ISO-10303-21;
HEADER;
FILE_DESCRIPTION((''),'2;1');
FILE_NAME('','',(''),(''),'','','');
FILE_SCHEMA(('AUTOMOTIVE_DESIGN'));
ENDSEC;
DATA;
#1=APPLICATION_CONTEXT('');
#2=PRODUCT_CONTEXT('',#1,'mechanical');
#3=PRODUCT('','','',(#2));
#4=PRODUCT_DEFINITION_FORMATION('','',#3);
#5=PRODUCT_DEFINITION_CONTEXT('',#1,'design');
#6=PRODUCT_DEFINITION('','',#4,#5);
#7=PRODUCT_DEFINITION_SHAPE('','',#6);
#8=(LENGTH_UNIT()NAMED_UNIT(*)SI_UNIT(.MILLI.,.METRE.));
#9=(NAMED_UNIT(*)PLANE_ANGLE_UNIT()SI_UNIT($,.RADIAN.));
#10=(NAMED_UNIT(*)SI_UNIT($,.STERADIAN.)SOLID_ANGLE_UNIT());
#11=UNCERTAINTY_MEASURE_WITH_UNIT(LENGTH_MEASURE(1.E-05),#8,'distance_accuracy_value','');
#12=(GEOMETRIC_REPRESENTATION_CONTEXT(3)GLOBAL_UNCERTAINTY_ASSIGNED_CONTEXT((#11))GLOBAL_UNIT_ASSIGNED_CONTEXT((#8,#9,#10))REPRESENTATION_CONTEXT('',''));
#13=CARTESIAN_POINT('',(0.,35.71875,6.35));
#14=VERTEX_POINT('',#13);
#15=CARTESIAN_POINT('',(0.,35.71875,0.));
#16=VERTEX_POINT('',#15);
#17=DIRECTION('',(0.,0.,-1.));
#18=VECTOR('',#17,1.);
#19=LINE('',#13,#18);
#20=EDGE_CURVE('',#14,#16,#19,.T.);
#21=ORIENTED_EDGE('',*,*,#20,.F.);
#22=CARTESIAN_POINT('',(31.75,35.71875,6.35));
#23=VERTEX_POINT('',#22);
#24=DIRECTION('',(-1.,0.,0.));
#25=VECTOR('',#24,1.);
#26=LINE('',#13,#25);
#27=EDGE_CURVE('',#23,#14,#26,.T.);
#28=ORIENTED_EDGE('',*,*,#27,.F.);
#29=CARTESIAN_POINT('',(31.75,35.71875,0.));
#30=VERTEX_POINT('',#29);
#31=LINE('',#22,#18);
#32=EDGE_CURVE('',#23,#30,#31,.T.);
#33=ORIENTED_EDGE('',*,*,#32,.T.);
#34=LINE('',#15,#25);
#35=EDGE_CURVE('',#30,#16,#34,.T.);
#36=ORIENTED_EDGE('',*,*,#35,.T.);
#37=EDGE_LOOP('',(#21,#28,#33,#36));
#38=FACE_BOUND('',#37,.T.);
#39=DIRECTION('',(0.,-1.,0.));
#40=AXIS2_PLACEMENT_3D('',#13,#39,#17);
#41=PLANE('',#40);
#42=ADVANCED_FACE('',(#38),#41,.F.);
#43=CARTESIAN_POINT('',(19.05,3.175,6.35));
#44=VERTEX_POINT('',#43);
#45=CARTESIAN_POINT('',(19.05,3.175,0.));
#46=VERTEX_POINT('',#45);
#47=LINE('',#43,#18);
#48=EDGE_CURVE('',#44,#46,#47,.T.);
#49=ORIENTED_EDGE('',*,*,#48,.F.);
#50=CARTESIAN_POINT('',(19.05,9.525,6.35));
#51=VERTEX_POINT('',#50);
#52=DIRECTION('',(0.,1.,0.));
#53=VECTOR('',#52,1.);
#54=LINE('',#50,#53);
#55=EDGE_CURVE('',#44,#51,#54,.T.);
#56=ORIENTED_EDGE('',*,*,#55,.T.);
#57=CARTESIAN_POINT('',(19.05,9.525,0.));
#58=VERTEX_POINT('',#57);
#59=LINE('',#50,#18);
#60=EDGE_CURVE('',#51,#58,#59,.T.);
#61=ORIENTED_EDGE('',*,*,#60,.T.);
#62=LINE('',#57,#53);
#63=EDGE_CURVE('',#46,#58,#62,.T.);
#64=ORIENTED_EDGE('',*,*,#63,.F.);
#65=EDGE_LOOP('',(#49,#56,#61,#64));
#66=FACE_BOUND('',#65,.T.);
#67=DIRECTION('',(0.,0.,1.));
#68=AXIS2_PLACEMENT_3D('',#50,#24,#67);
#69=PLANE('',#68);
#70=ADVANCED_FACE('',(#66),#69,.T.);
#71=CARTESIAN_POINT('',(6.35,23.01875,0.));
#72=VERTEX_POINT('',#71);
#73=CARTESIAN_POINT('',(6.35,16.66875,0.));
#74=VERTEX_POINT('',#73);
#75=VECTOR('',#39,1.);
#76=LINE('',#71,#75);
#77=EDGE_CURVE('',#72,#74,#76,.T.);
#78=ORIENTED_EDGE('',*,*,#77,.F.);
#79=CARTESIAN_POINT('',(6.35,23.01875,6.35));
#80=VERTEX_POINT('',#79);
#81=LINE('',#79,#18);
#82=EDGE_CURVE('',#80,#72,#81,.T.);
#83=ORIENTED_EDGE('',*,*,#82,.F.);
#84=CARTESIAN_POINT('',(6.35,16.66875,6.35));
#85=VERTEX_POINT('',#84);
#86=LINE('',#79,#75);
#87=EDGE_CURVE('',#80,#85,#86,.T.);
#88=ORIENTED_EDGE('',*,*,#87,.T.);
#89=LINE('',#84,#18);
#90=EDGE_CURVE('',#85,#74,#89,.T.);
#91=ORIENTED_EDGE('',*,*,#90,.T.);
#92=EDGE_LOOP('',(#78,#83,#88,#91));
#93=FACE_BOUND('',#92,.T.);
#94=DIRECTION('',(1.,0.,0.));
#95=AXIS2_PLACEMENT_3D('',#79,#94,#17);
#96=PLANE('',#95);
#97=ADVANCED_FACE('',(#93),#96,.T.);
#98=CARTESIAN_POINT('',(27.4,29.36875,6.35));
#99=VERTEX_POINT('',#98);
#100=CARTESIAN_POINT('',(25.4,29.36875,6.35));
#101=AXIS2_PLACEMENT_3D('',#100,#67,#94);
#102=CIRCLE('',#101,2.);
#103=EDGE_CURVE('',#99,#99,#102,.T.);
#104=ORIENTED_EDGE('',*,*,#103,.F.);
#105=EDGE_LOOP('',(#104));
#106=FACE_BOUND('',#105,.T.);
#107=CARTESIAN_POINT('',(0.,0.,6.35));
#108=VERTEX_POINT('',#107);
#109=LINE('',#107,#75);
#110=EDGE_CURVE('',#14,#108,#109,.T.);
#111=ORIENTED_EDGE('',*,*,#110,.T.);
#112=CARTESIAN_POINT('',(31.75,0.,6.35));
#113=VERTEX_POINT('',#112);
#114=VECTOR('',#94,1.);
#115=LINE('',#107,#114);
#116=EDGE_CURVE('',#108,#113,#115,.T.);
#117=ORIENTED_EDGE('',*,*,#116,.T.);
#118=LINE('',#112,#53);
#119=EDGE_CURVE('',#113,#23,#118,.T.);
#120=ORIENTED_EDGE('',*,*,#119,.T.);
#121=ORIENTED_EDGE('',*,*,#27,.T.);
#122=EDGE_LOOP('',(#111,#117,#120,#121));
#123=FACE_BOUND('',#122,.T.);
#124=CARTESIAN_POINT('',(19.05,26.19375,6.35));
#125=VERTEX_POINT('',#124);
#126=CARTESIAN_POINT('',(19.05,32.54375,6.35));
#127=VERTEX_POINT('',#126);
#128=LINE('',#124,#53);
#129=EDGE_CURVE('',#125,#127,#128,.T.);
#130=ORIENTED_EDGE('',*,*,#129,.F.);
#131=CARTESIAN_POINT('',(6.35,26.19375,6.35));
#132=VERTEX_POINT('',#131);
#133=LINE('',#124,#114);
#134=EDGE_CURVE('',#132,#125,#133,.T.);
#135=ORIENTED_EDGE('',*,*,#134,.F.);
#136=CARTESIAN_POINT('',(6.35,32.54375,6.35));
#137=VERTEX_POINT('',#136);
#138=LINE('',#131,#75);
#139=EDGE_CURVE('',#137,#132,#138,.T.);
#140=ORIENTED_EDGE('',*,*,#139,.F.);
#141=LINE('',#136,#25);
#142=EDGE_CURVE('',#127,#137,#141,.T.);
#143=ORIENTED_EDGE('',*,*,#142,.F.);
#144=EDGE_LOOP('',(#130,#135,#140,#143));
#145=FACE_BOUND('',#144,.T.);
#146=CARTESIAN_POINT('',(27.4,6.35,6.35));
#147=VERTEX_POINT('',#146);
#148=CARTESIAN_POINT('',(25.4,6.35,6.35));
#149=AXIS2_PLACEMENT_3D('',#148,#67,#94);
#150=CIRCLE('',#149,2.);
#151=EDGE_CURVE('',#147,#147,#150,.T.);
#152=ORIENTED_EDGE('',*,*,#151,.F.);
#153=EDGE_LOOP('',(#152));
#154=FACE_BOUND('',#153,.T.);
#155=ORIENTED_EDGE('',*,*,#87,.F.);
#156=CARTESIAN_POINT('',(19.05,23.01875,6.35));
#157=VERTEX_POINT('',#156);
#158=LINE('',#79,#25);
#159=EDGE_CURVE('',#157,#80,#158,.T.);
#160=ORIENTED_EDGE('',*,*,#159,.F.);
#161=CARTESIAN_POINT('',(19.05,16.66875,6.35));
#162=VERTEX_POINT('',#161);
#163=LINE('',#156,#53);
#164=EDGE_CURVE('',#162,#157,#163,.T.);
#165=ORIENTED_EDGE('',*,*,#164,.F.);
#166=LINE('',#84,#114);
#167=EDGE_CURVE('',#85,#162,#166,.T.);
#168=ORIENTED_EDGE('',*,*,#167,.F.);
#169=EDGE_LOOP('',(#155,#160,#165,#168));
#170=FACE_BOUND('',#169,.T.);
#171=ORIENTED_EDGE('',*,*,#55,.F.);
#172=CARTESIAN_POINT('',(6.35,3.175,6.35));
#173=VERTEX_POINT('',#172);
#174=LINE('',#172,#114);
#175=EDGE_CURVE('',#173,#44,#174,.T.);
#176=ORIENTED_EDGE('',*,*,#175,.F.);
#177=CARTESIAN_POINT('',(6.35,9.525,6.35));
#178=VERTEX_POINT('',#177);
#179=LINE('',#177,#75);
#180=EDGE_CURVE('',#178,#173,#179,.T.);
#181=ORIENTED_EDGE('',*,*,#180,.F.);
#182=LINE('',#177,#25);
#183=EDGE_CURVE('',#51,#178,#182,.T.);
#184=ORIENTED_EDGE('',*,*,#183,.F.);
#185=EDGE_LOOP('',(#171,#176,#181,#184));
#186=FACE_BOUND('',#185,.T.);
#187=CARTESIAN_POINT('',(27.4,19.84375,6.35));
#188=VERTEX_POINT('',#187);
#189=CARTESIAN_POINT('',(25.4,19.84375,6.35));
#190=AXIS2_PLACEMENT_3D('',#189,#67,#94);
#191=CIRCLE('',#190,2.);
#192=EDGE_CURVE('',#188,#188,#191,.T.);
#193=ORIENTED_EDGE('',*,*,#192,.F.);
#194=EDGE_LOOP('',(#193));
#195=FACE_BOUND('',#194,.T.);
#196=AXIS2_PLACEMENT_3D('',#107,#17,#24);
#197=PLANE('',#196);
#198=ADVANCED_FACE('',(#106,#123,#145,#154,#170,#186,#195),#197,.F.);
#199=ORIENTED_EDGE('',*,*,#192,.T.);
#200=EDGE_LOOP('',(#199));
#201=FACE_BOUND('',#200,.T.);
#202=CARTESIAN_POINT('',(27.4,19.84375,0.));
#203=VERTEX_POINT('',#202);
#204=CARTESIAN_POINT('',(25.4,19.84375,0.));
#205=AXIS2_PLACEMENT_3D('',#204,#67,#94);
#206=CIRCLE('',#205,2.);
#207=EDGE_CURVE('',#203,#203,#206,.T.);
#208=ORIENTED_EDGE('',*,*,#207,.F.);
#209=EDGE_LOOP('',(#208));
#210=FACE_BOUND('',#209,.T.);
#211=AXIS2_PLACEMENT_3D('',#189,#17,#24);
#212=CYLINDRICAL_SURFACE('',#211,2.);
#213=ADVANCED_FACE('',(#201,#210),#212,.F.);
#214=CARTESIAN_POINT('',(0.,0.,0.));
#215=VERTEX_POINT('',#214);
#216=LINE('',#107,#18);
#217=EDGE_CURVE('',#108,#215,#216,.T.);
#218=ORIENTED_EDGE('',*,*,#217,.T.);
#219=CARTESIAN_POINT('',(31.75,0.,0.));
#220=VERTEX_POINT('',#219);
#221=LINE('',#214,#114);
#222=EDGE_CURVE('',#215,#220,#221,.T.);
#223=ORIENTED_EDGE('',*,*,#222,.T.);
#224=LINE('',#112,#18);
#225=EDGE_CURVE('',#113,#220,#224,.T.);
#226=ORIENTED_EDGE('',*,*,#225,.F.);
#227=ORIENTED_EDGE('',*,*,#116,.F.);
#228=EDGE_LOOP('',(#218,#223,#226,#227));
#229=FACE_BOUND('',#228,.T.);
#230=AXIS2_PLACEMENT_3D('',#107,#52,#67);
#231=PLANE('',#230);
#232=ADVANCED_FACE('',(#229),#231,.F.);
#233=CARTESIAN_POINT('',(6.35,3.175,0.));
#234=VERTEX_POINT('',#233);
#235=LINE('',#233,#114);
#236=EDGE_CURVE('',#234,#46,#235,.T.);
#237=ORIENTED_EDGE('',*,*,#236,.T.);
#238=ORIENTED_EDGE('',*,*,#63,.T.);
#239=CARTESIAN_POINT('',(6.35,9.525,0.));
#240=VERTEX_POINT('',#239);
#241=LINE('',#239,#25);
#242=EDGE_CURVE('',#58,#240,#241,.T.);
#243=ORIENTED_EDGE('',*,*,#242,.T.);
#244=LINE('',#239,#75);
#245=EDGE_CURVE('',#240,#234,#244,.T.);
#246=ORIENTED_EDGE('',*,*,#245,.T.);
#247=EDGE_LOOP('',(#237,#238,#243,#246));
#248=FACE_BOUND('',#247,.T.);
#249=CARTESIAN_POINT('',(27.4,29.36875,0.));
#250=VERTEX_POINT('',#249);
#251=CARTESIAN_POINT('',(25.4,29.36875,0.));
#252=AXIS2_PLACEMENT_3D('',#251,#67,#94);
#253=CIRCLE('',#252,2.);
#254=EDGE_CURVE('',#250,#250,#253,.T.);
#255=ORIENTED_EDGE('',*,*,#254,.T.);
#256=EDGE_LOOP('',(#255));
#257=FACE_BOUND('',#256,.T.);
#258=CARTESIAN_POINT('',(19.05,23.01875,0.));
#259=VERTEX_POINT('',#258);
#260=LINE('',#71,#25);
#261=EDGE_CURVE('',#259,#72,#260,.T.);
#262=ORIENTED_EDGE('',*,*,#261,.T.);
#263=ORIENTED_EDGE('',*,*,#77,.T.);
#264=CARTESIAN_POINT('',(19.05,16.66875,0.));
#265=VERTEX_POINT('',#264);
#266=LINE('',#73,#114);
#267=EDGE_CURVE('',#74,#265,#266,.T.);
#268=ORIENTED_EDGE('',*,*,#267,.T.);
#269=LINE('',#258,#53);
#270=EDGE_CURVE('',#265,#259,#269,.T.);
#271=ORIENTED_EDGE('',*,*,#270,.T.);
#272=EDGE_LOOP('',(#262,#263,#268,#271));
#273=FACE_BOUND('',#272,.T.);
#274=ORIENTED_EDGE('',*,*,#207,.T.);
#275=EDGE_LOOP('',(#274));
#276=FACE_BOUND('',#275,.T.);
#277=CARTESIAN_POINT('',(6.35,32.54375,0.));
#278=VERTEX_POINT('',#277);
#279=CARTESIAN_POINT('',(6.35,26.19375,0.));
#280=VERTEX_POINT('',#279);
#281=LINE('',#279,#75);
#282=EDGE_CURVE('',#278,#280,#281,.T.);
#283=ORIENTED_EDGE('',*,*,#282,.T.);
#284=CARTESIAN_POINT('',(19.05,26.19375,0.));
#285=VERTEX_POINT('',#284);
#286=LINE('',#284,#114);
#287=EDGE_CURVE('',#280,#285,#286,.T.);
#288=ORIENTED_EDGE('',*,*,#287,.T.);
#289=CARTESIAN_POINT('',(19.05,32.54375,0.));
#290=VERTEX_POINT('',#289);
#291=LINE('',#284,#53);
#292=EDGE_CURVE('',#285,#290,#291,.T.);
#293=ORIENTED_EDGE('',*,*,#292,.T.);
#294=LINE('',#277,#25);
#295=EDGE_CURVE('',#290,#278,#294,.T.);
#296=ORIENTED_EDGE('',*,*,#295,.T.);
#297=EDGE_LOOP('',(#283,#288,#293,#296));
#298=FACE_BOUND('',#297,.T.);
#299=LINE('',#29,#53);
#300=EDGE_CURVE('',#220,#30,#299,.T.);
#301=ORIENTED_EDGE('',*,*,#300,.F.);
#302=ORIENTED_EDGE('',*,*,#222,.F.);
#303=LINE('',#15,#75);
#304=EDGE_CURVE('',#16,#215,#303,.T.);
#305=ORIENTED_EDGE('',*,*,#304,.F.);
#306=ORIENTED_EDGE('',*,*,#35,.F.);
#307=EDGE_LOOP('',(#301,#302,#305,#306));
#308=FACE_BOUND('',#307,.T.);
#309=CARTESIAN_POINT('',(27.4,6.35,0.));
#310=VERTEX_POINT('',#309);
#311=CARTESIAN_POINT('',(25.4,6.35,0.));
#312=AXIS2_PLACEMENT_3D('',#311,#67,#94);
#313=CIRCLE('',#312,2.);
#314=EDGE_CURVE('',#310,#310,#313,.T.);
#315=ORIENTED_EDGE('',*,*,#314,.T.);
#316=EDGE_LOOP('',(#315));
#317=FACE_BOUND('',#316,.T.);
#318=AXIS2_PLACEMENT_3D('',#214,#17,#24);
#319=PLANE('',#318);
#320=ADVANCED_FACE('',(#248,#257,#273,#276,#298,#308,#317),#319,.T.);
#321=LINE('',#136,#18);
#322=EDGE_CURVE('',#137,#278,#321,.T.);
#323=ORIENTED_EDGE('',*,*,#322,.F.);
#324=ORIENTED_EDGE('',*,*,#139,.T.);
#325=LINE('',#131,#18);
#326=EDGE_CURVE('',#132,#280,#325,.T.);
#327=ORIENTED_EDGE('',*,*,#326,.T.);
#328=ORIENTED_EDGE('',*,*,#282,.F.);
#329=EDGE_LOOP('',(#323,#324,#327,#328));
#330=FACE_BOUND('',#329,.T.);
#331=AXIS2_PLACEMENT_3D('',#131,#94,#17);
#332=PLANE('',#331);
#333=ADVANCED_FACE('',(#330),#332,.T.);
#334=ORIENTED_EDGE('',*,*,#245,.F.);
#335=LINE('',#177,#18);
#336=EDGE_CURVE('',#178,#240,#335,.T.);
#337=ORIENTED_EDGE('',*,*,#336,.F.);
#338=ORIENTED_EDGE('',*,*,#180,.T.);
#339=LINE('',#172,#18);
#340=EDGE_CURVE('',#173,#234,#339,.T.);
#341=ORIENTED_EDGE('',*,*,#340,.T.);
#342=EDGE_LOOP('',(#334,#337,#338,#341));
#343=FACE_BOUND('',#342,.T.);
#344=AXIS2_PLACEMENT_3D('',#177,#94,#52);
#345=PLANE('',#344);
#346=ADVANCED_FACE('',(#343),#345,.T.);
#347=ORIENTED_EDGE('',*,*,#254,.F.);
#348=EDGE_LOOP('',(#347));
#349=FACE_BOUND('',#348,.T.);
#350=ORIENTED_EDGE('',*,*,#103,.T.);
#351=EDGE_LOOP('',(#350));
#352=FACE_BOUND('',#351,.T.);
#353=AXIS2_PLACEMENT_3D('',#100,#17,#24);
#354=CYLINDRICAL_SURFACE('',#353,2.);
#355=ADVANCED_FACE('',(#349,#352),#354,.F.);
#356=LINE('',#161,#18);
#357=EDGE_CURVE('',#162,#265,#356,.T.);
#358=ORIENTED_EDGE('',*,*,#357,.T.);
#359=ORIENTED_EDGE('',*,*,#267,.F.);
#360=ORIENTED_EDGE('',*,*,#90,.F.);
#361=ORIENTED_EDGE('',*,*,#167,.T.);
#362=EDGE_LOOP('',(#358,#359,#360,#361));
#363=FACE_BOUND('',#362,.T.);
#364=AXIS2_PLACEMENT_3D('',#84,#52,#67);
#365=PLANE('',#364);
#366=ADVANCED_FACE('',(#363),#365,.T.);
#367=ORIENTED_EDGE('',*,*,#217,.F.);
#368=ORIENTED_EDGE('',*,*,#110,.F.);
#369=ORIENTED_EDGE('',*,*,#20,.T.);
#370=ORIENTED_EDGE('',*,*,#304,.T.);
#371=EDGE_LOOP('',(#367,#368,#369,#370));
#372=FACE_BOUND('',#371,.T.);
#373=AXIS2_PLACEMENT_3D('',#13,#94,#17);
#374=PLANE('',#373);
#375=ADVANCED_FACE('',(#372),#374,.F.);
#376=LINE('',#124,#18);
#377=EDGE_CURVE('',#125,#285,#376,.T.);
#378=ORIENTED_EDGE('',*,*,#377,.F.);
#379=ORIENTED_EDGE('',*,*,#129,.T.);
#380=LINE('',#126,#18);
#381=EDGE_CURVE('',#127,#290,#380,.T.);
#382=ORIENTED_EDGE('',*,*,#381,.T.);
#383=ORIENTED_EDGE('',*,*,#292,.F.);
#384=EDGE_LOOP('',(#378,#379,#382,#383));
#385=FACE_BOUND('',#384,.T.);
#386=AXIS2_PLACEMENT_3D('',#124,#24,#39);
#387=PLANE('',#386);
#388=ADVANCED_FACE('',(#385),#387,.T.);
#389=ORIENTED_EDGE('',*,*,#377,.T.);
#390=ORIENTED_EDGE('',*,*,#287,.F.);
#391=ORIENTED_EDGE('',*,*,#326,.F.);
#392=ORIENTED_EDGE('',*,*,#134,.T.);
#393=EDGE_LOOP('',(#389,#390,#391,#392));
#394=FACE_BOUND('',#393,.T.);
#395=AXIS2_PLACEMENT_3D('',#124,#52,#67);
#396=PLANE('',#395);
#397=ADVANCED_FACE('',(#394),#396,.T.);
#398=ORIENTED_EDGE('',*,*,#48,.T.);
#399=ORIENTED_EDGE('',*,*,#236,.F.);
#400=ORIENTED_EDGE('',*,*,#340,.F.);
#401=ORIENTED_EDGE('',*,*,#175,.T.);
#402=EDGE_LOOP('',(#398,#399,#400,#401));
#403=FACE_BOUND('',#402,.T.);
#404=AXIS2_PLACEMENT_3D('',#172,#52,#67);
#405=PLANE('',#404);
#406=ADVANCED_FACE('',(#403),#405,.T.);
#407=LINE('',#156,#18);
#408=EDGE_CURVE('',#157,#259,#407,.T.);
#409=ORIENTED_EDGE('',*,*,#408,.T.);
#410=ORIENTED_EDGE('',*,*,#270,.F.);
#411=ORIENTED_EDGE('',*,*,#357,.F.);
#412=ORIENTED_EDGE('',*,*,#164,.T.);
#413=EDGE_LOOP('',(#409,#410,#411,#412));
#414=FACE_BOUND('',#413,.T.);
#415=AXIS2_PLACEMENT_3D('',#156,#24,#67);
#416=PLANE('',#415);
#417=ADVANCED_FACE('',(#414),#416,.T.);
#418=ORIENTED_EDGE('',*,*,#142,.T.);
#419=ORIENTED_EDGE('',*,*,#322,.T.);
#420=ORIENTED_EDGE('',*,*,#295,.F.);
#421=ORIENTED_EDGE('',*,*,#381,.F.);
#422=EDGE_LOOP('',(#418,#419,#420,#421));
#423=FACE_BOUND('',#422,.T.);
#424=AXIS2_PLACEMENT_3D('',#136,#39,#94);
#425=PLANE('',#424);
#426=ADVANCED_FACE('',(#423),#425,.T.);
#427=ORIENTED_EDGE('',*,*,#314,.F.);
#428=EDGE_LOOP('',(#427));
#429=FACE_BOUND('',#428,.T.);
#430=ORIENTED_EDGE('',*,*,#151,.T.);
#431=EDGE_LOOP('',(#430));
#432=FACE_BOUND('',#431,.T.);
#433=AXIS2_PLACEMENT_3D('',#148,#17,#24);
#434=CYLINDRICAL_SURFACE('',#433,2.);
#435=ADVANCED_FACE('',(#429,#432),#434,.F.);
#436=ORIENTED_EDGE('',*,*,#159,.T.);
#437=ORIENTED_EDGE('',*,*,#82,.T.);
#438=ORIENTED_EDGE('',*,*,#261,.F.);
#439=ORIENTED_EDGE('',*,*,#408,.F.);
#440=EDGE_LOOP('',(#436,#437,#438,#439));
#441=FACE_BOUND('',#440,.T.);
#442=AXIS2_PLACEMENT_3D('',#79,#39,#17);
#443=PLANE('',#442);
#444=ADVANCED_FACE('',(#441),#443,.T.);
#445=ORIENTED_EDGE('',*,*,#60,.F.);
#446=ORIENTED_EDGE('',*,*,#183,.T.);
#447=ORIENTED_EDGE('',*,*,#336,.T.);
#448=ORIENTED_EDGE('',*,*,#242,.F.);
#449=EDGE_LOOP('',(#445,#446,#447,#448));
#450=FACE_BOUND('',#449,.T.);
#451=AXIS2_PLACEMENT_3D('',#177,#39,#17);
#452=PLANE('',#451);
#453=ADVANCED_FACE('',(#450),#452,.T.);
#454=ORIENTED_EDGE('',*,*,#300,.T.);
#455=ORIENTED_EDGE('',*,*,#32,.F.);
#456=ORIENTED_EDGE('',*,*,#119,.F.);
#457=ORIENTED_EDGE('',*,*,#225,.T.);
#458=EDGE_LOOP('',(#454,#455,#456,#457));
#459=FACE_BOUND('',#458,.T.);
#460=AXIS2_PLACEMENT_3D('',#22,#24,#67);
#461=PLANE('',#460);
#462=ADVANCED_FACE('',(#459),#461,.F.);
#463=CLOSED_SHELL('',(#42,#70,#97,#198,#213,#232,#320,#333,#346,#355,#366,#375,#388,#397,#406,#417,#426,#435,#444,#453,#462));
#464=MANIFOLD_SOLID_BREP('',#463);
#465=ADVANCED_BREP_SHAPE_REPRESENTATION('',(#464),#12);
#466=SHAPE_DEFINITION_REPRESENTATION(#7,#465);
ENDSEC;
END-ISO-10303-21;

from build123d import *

# Parameters (mm, degrees)
SKETCH1_R           = 2
SKETCH1_W           = 12.7
SKETCH1_H           = 6.35
BOSS_EXTRUDE1_DEPTH = 6.35


with BuildPart() as part:
    # Sketch1 → Boss-Extrude1 (new body)
    with BuildSketch(Plane.XY):
        Polygon((0, 35.71875), (0, 26.19375), (0, 0), (31.75, 0), (31.75, 26.19375), (31.75, 35.71875), align=None)
        with Locations((25.4, 19.84375)):
            Circle(SKETCH1_R, mode=Mode.SUBTRACT)
        with Locations((25.4, 6.35)):
            Circle(SKETCH1_R, mode=Mode.SUBTRACT)
        with Locations((25.4, 29.36875)):
            Circle(SKETCH1_R, mode=Mode.SUBTRACT)
        with Locations((12.7, 19.84375)):
            Rectangle(SKETCH1_W, SKETCH1_H, mode=Mode.SUBTRACT)
        with Locations((12.7, 6.35)):
            Rectangle(SKETCH1_W, SKETCH1_H, mode=Mode.SUBTRACT)
        with Locations((12.7, 29.36875)):
            Rectangle(SKETCH1_W, SKETCH1_H, mode=Mode.SUBTRACT)
    extrude(amount=BOSS_EXTRUDE1_DEPTH)


solid = part.part
